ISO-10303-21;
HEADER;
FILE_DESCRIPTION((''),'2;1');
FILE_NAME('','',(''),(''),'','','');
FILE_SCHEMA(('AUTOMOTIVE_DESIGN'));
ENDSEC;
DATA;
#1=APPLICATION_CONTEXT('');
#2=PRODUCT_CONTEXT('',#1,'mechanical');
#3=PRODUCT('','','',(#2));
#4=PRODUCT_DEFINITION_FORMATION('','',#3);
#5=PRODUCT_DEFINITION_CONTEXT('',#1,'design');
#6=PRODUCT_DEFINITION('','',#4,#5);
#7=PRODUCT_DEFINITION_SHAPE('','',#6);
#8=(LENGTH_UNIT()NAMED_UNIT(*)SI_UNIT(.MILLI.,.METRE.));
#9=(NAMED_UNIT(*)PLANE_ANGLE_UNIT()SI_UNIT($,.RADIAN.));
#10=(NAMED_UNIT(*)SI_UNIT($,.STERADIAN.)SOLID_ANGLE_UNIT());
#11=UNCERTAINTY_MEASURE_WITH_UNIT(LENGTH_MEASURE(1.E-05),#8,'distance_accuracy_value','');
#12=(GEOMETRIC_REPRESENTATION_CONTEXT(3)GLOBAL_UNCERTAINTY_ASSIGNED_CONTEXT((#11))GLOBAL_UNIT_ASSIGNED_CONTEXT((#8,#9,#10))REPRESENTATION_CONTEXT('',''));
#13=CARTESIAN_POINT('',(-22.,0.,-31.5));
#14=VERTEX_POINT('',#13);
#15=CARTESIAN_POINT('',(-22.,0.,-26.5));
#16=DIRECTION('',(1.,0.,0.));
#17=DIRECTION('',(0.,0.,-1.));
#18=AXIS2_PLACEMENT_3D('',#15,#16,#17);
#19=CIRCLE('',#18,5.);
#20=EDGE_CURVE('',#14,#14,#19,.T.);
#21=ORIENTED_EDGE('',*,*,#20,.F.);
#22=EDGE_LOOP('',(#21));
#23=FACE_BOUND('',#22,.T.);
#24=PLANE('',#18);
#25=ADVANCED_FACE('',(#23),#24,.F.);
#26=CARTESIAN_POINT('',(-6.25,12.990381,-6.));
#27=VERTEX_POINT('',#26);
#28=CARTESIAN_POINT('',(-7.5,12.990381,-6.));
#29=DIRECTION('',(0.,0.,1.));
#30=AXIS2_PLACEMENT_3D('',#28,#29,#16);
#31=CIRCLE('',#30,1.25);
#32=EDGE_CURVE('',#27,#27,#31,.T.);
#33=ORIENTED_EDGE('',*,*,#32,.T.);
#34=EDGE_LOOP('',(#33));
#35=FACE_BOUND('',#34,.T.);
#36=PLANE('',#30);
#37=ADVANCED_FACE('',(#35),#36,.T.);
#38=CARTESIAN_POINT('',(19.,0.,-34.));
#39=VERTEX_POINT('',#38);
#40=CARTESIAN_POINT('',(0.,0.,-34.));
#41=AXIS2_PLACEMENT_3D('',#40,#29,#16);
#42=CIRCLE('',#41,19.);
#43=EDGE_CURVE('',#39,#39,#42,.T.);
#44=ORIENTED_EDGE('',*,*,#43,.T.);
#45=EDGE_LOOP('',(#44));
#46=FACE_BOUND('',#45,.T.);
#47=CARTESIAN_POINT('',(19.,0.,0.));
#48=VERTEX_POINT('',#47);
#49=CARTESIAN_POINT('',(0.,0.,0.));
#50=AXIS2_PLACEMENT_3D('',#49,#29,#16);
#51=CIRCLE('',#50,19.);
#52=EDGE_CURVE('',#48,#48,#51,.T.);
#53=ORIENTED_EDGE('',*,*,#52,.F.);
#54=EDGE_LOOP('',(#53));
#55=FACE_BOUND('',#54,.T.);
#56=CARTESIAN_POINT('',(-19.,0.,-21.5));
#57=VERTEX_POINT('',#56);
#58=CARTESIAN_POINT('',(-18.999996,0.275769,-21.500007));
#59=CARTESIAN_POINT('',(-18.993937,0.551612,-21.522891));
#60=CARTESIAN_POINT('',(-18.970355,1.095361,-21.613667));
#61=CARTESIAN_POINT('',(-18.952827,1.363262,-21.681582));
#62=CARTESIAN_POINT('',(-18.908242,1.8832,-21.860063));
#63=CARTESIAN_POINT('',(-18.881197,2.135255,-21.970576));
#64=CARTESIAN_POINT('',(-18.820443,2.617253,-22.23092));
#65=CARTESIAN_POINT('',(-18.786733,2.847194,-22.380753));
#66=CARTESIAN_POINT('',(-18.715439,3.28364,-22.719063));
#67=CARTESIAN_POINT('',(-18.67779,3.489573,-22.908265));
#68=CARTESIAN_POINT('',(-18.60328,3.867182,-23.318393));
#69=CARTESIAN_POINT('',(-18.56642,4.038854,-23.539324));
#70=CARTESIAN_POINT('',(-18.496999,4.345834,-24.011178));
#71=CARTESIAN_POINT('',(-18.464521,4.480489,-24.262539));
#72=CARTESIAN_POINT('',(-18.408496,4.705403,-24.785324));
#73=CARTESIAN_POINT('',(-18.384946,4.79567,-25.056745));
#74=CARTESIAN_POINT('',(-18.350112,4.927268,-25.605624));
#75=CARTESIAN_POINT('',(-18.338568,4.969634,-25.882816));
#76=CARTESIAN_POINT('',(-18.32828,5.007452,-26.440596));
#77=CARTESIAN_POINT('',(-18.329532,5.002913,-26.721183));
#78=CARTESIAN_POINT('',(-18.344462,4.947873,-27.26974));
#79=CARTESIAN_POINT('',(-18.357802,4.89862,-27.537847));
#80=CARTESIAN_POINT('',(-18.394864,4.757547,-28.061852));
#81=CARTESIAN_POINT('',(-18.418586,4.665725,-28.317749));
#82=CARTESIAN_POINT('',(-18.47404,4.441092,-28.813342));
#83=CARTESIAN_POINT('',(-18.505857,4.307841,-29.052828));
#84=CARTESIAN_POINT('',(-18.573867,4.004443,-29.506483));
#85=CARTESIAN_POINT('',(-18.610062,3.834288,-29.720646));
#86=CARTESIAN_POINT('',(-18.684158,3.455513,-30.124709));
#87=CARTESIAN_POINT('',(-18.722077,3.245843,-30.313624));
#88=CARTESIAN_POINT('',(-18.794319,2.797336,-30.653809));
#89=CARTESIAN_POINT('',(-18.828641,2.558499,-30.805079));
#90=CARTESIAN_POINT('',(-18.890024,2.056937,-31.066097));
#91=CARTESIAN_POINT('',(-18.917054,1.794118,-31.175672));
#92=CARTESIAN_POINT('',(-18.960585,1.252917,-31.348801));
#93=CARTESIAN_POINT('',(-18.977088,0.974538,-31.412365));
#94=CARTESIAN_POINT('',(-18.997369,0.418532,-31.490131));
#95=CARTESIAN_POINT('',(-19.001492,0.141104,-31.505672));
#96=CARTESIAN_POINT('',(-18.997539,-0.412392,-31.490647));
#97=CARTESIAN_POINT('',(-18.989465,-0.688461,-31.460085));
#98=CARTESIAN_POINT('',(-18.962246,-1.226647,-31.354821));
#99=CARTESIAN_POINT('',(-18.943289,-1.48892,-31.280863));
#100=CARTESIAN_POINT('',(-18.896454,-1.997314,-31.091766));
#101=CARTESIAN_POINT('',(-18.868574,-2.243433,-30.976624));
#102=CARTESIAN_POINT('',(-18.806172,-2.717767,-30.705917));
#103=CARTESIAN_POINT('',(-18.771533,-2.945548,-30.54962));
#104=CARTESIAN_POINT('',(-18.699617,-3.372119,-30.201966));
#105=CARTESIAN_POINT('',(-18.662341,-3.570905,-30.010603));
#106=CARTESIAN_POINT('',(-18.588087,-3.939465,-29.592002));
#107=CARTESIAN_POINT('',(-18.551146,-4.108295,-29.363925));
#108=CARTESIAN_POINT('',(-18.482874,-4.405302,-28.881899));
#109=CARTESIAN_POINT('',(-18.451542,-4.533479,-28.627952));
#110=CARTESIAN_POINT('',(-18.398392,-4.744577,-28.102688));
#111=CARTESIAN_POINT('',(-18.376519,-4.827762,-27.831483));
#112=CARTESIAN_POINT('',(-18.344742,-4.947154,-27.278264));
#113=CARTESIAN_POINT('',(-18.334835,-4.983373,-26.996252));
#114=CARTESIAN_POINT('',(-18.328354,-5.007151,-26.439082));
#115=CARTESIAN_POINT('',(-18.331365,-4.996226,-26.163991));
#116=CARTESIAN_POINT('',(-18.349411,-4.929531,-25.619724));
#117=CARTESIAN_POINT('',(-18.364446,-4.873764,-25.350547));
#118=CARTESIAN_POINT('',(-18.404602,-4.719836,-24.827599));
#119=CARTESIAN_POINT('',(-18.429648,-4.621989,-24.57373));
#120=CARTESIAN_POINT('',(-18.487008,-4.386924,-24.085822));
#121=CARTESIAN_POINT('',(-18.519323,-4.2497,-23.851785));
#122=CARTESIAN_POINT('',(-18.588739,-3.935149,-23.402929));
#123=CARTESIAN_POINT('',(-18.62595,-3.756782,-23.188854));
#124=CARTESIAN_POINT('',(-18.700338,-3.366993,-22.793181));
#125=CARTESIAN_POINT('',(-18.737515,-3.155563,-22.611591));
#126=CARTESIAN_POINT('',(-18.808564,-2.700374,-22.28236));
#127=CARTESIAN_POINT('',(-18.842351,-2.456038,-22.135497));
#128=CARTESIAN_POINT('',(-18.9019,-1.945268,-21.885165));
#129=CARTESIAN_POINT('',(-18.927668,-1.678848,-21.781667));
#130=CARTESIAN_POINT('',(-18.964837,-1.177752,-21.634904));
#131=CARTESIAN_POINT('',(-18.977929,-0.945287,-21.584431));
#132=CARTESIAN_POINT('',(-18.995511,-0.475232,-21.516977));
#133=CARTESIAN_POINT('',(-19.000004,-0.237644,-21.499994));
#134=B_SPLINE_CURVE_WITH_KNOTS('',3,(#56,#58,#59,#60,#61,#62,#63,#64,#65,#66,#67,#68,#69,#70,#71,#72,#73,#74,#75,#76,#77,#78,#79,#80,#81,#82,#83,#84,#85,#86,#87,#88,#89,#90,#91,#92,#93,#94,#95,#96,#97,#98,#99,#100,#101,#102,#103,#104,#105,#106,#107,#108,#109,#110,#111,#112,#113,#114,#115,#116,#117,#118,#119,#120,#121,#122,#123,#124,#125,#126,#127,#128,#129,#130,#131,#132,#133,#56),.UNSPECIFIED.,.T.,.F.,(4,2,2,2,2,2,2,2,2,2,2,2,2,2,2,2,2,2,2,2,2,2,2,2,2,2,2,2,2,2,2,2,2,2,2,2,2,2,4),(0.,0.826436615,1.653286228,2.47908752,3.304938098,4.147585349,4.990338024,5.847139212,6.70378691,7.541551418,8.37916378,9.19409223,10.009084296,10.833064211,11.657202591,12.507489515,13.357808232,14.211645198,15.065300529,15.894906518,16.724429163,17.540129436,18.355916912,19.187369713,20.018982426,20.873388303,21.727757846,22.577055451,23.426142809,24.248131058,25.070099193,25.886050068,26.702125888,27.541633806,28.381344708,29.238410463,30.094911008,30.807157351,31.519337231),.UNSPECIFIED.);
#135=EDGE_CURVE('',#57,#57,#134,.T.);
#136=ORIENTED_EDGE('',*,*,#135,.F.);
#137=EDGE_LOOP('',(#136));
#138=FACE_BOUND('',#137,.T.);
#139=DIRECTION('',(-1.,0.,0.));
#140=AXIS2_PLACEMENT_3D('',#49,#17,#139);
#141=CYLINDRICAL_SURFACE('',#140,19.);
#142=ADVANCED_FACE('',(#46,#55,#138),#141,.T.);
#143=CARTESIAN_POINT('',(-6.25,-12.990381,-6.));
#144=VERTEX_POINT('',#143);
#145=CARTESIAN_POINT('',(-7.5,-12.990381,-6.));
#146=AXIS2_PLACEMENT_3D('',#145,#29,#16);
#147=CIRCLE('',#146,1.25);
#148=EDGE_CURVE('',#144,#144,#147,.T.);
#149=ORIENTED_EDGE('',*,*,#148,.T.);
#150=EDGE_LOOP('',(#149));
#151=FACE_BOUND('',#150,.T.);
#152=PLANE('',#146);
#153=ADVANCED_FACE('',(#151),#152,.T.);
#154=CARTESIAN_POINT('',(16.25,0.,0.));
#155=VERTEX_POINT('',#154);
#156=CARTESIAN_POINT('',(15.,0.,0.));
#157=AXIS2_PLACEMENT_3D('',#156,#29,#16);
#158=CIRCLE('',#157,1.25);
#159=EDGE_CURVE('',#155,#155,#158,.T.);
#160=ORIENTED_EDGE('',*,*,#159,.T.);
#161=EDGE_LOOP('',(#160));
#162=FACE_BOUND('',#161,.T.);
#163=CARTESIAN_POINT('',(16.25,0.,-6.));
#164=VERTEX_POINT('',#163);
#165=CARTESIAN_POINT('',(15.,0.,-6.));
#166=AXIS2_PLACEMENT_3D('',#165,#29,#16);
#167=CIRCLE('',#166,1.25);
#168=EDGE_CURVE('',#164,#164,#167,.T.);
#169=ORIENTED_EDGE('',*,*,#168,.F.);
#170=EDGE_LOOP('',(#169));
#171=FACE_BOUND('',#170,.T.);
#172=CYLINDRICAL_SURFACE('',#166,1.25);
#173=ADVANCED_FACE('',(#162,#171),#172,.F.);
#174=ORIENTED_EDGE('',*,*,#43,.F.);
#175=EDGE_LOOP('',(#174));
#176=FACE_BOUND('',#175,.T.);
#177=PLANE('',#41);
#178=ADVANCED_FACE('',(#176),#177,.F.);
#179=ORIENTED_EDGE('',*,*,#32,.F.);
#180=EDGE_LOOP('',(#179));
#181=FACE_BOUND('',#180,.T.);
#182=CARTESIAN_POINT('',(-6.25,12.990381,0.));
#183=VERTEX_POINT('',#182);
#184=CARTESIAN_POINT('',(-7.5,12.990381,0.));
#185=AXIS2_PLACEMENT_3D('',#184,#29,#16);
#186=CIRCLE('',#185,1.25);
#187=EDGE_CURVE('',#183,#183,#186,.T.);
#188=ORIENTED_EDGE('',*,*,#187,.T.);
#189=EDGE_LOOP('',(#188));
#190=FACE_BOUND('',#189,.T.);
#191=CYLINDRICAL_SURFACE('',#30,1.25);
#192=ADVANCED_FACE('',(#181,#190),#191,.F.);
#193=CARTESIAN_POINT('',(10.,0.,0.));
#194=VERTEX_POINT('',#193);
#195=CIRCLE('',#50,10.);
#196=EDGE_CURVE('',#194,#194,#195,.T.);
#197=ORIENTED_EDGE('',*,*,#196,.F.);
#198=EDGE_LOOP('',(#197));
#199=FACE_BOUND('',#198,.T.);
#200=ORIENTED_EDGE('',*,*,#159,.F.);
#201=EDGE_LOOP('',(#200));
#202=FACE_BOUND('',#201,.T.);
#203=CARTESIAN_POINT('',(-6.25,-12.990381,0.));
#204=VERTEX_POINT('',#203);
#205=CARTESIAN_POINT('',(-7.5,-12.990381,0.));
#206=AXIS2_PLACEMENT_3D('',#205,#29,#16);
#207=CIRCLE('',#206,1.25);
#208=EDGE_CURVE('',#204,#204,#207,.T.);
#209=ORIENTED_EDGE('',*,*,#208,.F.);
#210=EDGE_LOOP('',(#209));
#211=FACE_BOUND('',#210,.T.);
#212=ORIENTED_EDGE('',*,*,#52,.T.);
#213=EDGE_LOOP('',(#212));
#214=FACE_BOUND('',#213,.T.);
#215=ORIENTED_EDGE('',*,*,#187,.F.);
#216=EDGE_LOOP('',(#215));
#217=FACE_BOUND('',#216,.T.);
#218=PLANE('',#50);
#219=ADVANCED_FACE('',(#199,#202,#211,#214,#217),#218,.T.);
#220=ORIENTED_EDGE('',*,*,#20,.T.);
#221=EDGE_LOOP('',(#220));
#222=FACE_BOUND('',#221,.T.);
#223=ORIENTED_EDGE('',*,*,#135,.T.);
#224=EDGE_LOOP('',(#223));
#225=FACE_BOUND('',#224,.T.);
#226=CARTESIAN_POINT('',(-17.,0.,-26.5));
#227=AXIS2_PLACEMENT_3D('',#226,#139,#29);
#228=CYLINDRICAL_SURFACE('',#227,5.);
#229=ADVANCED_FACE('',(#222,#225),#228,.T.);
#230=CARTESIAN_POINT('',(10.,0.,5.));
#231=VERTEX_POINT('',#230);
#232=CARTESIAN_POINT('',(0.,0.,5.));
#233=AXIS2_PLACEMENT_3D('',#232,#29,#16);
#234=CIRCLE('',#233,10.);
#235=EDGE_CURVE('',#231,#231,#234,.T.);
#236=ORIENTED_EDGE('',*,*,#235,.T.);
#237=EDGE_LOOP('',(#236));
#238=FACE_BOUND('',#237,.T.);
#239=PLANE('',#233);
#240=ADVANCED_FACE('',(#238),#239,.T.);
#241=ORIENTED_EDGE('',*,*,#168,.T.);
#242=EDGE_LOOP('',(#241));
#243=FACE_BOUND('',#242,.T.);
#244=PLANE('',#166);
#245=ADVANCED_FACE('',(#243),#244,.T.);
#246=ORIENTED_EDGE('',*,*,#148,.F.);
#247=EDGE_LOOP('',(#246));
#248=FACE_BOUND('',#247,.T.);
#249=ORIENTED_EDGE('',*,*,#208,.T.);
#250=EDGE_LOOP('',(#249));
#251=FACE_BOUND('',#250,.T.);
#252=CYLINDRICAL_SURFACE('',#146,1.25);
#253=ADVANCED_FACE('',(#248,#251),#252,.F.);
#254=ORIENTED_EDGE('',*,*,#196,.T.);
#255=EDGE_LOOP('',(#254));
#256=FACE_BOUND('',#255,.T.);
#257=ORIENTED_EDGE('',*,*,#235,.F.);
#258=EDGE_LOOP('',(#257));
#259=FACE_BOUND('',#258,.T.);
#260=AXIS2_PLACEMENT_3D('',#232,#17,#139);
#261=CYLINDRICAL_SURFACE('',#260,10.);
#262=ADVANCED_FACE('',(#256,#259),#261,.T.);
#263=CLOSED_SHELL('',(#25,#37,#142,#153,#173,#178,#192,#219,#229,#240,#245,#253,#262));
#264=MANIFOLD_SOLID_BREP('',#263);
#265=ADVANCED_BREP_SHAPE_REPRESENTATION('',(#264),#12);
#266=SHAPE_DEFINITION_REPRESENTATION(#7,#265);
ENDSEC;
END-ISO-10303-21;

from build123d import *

# Parameters (mm, degrees)
SKETCH_1_R                              = 19
HOUSING_OD38_L34_FROM_DRAWING_DEPTH     = 34
SKETCH_2_R                              = 10
PILOT_OD20_L5_DEPTH                     = 5
SKETCH_3_R                              = 5
SIDE_CABLE_GLAND_ENVELOPE_EST_DEPTH     = 5
SKETCH_4_R                              = 1.25
FRONT_3XM3_PCD30_DEPTH6_REFERENCE_DEPTH = 6


with BuildPart() as part:
    # 草图1 → Housing_OD38_L34_from_drawing (new body)
    with BuildSketch(Plane.XY.offset(-34)):
        Circle(SKETCH_1_R)
    extrude(amount=HOUSING_OD38_L34_FROM_DRAWING_DEPTH)

    # 草图2 → Pilot_OD20_L5 (add)
    with BuildSketch(Plane.XY):
        Circle(SKETCH_2_R)
    extrude(amount=PILOT_OD20_L5_DEPTH)

    # 草图3 → Side_cable_gland_ENVELOPE_EST (add)
    with BuildSketch(Plane(origin=(-22, 0, 0), x_dir=(0, 0, -1), z_dir=(1, 0, 0))):
        with Locations(Location((26.5, 0, 0), (0, 0, 180))):
            Circle(SKETCH_3_R)
    extrude(amount=SIDE_CABLE_GLAND_ENVELOPE_EST_DEPTH)

    # 草图4 → Front_3xM3_PCD30_depth6_reference (cut)
    with BuildSketch(Plane.XY):
        with Locations((15, 0)):
            Circle(SKETCH_4_R)
        with Locations((-7.5, 12.990381057)):
            Circle(SKETCH_4_R)
        with Locations((-7.5, -12.990381057)):
            Circle(SKETCH_4_R)
    extrude(amount=-FRONT_3XM3_PCD30_DEPTH6_REFERENCE_DEPTH, mode=Mode.SUBTRACT)


solid = part.part
